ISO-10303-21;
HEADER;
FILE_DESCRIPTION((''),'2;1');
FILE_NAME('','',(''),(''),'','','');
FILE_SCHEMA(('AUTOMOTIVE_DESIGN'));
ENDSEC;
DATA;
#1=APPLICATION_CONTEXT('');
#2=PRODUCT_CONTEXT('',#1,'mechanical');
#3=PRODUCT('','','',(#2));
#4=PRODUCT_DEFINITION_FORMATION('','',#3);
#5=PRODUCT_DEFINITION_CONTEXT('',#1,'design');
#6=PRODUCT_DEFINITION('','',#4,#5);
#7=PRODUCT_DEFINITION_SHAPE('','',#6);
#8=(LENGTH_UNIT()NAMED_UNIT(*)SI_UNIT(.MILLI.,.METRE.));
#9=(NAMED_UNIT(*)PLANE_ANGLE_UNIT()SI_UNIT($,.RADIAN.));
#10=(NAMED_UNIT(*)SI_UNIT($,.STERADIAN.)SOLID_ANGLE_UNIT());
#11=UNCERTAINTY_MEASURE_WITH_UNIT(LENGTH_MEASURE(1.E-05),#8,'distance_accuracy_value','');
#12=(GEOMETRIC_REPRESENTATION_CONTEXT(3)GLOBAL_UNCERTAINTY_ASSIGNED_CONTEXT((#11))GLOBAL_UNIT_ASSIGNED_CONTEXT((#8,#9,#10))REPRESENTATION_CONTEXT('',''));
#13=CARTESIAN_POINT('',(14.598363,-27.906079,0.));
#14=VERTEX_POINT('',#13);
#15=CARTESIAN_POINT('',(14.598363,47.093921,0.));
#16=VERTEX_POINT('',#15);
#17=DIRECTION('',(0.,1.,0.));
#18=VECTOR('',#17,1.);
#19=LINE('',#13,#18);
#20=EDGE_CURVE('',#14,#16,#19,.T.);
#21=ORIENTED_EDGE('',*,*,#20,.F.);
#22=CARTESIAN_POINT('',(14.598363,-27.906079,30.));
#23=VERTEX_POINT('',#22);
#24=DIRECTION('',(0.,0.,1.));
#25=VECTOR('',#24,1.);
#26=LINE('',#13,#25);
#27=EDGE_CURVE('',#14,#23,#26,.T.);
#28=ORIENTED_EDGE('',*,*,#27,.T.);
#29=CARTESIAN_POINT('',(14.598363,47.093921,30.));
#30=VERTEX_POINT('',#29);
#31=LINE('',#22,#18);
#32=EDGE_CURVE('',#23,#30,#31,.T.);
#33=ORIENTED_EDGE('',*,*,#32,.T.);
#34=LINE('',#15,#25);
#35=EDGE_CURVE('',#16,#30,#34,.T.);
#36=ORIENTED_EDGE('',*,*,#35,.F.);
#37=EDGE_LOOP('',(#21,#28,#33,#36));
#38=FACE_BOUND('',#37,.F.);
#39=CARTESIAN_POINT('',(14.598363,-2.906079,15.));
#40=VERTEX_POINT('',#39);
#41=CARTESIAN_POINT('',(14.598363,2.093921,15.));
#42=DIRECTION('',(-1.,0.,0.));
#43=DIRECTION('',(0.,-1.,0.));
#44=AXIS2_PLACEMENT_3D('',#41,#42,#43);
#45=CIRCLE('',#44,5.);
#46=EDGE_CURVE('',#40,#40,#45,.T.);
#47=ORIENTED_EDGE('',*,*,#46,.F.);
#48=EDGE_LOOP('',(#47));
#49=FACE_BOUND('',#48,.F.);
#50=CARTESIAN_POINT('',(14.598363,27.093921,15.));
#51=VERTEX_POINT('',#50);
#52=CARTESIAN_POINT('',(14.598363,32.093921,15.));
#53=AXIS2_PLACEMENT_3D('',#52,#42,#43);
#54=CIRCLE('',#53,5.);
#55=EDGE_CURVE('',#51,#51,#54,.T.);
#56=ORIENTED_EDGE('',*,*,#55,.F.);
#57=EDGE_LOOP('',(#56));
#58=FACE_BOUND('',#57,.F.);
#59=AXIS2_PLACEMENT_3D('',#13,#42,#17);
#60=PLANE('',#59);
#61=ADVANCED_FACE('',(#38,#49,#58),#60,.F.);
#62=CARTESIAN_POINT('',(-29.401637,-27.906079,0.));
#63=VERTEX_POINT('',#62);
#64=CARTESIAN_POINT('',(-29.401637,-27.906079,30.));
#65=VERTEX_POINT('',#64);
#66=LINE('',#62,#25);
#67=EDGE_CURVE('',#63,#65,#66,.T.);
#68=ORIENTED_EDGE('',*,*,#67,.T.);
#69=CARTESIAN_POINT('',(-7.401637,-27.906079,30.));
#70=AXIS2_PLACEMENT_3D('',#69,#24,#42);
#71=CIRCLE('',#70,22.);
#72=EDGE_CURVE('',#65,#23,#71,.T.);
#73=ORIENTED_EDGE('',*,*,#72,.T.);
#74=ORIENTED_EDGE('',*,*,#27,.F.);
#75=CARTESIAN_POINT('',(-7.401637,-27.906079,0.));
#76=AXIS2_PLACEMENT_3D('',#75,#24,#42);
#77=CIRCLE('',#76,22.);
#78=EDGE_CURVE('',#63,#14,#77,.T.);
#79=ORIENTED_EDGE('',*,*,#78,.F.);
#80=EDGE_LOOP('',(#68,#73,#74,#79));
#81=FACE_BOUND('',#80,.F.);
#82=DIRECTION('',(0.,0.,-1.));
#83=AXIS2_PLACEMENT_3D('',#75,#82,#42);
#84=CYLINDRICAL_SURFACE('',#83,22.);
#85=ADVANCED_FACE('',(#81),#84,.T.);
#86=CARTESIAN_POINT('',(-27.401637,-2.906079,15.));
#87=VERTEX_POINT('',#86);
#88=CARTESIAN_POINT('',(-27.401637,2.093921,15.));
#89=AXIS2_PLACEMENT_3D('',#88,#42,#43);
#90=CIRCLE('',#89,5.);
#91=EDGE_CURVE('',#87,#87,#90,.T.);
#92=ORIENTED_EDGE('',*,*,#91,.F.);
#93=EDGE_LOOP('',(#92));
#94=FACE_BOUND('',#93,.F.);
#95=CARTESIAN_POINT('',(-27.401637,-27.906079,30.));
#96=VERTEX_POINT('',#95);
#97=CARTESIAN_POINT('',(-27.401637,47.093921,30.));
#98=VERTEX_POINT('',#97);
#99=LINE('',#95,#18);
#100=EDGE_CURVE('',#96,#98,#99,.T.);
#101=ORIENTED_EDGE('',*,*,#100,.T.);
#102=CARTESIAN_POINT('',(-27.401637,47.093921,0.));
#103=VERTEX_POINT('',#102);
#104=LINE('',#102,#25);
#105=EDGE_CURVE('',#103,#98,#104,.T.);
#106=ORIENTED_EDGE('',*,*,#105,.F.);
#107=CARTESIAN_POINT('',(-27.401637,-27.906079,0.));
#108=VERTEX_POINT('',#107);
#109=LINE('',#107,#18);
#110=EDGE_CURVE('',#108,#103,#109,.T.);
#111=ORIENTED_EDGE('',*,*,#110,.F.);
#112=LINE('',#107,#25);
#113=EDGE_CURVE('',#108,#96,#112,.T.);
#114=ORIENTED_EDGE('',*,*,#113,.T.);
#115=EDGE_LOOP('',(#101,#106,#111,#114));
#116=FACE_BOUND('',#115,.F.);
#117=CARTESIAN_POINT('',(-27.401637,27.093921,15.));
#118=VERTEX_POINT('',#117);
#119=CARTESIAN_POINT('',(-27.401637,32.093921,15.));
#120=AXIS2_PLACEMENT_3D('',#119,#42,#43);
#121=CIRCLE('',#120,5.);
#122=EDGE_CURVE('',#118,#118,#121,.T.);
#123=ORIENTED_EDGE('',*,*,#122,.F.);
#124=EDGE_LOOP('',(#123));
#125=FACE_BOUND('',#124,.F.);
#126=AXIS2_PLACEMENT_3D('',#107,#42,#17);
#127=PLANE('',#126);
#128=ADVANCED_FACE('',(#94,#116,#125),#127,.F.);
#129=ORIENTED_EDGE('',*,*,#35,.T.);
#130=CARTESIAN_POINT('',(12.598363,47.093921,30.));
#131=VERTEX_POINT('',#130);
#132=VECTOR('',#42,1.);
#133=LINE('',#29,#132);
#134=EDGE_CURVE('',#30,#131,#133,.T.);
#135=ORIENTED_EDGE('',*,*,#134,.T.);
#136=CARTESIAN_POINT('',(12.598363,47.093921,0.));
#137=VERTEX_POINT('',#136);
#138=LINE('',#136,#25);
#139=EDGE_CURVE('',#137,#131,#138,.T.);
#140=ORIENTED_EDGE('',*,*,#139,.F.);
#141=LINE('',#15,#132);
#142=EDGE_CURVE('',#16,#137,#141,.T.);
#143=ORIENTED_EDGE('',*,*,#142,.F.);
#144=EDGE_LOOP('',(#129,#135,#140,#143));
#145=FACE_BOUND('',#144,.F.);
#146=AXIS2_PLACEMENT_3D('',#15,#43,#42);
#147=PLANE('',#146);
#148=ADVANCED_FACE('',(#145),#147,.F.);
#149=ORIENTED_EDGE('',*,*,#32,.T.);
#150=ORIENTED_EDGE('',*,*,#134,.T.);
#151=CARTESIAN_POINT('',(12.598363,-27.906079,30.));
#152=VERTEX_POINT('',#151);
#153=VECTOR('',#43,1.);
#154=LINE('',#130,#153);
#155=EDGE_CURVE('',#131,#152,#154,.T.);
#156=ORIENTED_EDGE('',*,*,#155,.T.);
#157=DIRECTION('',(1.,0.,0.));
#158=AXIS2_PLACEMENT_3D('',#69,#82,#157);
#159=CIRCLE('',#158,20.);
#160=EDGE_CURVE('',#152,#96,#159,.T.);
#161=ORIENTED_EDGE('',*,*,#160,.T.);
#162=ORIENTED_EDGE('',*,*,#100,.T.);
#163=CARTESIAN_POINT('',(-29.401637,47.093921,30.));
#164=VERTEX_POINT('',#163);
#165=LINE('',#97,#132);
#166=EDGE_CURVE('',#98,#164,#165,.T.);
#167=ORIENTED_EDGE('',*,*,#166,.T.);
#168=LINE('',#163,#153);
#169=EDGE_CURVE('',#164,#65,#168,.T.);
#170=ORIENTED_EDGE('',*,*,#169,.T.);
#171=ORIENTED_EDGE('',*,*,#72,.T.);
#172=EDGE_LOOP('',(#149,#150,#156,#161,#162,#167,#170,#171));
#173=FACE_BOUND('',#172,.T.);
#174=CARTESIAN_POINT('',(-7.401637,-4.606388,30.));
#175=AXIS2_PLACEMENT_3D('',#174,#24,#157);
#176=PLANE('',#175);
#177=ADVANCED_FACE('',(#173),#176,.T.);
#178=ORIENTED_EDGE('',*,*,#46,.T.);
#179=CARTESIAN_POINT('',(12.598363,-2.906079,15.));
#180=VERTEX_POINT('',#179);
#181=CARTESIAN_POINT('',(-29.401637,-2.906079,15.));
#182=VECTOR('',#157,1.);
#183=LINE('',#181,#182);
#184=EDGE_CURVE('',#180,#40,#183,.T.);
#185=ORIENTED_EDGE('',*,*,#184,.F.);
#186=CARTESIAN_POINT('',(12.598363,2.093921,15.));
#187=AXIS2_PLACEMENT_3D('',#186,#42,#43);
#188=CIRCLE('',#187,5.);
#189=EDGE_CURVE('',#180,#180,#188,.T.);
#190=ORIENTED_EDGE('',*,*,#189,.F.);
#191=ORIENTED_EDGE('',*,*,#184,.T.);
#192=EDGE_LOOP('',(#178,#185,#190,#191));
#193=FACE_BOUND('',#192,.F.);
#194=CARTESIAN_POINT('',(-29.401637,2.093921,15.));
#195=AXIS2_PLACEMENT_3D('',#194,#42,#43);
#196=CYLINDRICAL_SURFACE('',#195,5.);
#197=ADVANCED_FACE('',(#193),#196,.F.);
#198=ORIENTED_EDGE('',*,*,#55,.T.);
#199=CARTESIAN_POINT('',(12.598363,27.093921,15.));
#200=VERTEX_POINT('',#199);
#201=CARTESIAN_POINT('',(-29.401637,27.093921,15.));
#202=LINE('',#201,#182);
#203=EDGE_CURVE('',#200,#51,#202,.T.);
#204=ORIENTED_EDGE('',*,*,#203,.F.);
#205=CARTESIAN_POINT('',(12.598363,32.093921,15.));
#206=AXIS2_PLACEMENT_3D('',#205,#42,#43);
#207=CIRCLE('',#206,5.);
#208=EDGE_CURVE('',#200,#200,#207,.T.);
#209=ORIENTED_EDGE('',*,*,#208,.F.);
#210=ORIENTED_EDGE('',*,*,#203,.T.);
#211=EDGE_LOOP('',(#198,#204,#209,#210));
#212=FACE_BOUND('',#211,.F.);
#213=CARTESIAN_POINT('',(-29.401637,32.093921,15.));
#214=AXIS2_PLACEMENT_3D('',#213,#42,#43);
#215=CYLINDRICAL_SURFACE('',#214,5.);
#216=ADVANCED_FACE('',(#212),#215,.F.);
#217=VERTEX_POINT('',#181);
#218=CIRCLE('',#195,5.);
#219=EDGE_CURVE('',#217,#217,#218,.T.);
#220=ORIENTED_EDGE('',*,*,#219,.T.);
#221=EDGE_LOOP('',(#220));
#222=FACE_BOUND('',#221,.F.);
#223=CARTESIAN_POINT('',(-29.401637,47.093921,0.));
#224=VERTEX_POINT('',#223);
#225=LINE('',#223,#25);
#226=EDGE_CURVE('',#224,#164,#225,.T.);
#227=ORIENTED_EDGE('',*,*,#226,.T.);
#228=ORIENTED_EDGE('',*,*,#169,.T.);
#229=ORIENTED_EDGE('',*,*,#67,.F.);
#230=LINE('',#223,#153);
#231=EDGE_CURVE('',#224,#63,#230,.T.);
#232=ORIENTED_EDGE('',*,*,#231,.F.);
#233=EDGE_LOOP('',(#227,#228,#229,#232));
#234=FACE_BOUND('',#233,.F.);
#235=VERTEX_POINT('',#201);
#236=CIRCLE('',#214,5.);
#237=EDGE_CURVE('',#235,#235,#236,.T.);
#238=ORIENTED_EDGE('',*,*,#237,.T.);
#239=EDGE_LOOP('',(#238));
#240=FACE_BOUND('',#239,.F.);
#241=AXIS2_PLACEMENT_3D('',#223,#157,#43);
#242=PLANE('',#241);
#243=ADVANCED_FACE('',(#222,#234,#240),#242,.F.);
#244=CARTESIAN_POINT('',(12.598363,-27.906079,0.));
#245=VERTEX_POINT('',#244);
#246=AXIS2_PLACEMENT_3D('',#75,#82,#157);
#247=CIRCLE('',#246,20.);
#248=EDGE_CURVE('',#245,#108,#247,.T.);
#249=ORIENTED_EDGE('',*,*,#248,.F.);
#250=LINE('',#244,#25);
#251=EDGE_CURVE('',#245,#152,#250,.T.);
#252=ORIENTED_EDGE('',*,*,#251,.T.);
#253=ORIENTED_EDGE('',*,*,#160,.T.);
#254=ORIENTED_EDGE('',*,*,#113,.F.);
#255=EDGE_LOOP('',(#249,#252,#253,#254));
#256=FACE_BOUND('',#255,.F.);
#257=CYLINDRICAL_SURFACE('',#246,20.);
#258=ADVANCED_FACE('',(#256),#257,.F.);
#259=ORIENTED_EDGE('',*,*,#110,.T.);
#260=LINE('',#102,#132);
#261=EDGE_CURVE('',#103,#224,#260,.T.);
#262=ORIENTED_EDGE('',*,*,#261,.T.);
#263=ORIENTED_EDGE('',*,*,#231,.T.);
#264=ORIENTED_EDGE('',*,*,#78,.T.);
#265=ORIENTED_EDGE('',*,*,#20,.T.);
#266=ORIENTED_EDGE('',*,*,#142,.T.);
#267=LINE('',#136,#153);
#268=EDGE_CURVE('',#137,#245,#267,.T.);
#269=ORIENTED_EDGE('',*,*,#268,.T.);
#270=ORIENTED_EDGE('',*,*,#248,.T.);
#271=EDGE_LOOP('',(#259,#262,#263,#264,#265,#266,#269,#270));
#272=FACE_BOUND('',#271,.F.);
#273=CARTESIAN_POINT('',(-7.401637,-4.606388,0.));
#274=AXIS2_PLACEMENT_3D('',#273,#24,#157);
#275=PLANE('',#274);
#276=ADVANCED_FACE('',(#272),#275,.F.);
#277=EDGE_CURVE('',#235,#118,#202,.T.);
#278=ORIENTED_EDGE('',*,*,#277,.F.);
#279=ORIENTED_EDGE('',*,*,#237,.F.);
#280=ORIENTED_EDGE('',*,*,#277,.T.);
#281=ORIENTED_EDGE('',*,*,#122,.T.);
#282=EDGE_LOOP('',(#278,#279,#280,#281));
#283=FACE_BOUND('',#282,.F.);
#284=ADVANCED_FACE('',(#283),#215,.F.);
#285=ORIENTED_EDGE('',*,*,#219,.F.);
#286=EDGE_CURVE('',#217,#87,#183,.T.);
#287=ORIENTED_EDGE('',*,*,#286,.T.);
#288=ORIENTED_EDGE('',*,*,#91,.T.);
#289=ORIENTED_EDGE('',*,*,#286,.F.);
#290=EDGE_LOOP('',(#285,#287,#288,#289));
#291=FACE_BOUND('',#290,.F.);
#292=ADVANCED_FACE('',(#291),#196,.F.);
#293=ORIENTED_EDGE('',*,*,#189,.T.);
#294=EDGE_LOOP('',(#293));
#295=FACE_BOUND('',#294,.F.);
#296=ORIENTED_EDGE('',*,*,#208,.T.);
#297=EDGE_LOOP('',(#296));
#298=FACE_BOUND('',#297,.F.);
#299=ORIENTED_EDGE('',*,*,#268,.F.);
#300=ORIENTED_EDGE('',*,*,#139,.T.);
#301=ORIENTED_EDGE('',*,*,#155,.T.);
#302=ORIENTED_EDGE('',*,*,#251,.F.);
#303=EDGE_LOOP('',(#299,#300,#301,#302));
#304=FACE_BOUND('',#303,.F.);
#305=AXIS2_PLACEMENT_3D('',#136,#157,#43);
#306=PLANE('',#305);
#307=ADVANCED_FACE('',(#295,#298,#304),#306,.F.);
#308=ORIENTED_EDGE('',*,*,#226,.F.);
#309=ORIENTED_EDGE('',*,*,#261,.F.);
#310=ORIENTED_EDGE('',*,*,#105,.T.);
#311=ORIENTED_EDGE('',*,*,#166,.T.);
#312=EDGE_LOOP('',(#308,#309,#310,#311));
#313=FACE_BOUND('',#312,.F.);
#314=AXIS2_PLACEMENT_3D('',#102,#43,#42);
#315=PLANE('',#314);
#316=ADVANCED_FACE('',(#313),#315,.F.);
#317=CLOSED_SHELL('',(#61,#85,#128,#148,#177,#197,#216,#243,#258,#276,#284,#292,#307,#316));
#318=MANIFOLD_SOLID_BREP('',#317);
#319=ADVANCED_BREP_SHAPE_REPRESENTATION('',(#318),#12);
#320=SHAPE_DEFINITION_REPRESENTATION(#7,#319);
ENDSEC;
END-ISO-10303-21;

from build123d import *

# Parameters (mm, degrees)
F1_DEPTH = 30
F2_R     = 5
F3_DEPTH = 44


with BuildPart() as f1:
    # F0 (on Top) → F1 (new body)
    with BuildSketch(Plane.XY):
        with BuildLine():
            Line((-27.401637, -27.906079), (-27.401637, 47.093921))
            Line((-27.401637, 47.093921), (-29.401637, 47.093921))
            Line((-29.401637, 47.093921), (-29.401637, -27.906079))
            ThreePointArc((-29.401637, -27.906079), (-7.401637, -49.906079), (14.598363, -27.906079))
            Line((14.598363, -27.906079), (14.598363, 47.093921))
            Line((14.598363, 47.093921), (12.598363, 47.093921))
            Line((12.598363, 47.093921), (12.598363, -27.906079))
            ThreePointArc((12.598363, -27.906079), (-7.401637, -47.906079), (-27.401637, -27.906079))
        make_face()
    extrude(amount=F1_DEPTH)

    # F2 (on face) → F3 (cut, through all)
    with BuildSketch(Plane(origin=(-29.401637, 0, 0), x_dir=(0, -1, 0), z_dir=(-1, 0, 0))):
        with Locations((-32.093921, 15)):
            Circle(F2_R)
        with Locations((-2.093921, 15)):
            Circle(F2_R)
    extrude(amount=-F3_DEPTH, mode=Mode.SUBTRACT)


solid = f1.part
